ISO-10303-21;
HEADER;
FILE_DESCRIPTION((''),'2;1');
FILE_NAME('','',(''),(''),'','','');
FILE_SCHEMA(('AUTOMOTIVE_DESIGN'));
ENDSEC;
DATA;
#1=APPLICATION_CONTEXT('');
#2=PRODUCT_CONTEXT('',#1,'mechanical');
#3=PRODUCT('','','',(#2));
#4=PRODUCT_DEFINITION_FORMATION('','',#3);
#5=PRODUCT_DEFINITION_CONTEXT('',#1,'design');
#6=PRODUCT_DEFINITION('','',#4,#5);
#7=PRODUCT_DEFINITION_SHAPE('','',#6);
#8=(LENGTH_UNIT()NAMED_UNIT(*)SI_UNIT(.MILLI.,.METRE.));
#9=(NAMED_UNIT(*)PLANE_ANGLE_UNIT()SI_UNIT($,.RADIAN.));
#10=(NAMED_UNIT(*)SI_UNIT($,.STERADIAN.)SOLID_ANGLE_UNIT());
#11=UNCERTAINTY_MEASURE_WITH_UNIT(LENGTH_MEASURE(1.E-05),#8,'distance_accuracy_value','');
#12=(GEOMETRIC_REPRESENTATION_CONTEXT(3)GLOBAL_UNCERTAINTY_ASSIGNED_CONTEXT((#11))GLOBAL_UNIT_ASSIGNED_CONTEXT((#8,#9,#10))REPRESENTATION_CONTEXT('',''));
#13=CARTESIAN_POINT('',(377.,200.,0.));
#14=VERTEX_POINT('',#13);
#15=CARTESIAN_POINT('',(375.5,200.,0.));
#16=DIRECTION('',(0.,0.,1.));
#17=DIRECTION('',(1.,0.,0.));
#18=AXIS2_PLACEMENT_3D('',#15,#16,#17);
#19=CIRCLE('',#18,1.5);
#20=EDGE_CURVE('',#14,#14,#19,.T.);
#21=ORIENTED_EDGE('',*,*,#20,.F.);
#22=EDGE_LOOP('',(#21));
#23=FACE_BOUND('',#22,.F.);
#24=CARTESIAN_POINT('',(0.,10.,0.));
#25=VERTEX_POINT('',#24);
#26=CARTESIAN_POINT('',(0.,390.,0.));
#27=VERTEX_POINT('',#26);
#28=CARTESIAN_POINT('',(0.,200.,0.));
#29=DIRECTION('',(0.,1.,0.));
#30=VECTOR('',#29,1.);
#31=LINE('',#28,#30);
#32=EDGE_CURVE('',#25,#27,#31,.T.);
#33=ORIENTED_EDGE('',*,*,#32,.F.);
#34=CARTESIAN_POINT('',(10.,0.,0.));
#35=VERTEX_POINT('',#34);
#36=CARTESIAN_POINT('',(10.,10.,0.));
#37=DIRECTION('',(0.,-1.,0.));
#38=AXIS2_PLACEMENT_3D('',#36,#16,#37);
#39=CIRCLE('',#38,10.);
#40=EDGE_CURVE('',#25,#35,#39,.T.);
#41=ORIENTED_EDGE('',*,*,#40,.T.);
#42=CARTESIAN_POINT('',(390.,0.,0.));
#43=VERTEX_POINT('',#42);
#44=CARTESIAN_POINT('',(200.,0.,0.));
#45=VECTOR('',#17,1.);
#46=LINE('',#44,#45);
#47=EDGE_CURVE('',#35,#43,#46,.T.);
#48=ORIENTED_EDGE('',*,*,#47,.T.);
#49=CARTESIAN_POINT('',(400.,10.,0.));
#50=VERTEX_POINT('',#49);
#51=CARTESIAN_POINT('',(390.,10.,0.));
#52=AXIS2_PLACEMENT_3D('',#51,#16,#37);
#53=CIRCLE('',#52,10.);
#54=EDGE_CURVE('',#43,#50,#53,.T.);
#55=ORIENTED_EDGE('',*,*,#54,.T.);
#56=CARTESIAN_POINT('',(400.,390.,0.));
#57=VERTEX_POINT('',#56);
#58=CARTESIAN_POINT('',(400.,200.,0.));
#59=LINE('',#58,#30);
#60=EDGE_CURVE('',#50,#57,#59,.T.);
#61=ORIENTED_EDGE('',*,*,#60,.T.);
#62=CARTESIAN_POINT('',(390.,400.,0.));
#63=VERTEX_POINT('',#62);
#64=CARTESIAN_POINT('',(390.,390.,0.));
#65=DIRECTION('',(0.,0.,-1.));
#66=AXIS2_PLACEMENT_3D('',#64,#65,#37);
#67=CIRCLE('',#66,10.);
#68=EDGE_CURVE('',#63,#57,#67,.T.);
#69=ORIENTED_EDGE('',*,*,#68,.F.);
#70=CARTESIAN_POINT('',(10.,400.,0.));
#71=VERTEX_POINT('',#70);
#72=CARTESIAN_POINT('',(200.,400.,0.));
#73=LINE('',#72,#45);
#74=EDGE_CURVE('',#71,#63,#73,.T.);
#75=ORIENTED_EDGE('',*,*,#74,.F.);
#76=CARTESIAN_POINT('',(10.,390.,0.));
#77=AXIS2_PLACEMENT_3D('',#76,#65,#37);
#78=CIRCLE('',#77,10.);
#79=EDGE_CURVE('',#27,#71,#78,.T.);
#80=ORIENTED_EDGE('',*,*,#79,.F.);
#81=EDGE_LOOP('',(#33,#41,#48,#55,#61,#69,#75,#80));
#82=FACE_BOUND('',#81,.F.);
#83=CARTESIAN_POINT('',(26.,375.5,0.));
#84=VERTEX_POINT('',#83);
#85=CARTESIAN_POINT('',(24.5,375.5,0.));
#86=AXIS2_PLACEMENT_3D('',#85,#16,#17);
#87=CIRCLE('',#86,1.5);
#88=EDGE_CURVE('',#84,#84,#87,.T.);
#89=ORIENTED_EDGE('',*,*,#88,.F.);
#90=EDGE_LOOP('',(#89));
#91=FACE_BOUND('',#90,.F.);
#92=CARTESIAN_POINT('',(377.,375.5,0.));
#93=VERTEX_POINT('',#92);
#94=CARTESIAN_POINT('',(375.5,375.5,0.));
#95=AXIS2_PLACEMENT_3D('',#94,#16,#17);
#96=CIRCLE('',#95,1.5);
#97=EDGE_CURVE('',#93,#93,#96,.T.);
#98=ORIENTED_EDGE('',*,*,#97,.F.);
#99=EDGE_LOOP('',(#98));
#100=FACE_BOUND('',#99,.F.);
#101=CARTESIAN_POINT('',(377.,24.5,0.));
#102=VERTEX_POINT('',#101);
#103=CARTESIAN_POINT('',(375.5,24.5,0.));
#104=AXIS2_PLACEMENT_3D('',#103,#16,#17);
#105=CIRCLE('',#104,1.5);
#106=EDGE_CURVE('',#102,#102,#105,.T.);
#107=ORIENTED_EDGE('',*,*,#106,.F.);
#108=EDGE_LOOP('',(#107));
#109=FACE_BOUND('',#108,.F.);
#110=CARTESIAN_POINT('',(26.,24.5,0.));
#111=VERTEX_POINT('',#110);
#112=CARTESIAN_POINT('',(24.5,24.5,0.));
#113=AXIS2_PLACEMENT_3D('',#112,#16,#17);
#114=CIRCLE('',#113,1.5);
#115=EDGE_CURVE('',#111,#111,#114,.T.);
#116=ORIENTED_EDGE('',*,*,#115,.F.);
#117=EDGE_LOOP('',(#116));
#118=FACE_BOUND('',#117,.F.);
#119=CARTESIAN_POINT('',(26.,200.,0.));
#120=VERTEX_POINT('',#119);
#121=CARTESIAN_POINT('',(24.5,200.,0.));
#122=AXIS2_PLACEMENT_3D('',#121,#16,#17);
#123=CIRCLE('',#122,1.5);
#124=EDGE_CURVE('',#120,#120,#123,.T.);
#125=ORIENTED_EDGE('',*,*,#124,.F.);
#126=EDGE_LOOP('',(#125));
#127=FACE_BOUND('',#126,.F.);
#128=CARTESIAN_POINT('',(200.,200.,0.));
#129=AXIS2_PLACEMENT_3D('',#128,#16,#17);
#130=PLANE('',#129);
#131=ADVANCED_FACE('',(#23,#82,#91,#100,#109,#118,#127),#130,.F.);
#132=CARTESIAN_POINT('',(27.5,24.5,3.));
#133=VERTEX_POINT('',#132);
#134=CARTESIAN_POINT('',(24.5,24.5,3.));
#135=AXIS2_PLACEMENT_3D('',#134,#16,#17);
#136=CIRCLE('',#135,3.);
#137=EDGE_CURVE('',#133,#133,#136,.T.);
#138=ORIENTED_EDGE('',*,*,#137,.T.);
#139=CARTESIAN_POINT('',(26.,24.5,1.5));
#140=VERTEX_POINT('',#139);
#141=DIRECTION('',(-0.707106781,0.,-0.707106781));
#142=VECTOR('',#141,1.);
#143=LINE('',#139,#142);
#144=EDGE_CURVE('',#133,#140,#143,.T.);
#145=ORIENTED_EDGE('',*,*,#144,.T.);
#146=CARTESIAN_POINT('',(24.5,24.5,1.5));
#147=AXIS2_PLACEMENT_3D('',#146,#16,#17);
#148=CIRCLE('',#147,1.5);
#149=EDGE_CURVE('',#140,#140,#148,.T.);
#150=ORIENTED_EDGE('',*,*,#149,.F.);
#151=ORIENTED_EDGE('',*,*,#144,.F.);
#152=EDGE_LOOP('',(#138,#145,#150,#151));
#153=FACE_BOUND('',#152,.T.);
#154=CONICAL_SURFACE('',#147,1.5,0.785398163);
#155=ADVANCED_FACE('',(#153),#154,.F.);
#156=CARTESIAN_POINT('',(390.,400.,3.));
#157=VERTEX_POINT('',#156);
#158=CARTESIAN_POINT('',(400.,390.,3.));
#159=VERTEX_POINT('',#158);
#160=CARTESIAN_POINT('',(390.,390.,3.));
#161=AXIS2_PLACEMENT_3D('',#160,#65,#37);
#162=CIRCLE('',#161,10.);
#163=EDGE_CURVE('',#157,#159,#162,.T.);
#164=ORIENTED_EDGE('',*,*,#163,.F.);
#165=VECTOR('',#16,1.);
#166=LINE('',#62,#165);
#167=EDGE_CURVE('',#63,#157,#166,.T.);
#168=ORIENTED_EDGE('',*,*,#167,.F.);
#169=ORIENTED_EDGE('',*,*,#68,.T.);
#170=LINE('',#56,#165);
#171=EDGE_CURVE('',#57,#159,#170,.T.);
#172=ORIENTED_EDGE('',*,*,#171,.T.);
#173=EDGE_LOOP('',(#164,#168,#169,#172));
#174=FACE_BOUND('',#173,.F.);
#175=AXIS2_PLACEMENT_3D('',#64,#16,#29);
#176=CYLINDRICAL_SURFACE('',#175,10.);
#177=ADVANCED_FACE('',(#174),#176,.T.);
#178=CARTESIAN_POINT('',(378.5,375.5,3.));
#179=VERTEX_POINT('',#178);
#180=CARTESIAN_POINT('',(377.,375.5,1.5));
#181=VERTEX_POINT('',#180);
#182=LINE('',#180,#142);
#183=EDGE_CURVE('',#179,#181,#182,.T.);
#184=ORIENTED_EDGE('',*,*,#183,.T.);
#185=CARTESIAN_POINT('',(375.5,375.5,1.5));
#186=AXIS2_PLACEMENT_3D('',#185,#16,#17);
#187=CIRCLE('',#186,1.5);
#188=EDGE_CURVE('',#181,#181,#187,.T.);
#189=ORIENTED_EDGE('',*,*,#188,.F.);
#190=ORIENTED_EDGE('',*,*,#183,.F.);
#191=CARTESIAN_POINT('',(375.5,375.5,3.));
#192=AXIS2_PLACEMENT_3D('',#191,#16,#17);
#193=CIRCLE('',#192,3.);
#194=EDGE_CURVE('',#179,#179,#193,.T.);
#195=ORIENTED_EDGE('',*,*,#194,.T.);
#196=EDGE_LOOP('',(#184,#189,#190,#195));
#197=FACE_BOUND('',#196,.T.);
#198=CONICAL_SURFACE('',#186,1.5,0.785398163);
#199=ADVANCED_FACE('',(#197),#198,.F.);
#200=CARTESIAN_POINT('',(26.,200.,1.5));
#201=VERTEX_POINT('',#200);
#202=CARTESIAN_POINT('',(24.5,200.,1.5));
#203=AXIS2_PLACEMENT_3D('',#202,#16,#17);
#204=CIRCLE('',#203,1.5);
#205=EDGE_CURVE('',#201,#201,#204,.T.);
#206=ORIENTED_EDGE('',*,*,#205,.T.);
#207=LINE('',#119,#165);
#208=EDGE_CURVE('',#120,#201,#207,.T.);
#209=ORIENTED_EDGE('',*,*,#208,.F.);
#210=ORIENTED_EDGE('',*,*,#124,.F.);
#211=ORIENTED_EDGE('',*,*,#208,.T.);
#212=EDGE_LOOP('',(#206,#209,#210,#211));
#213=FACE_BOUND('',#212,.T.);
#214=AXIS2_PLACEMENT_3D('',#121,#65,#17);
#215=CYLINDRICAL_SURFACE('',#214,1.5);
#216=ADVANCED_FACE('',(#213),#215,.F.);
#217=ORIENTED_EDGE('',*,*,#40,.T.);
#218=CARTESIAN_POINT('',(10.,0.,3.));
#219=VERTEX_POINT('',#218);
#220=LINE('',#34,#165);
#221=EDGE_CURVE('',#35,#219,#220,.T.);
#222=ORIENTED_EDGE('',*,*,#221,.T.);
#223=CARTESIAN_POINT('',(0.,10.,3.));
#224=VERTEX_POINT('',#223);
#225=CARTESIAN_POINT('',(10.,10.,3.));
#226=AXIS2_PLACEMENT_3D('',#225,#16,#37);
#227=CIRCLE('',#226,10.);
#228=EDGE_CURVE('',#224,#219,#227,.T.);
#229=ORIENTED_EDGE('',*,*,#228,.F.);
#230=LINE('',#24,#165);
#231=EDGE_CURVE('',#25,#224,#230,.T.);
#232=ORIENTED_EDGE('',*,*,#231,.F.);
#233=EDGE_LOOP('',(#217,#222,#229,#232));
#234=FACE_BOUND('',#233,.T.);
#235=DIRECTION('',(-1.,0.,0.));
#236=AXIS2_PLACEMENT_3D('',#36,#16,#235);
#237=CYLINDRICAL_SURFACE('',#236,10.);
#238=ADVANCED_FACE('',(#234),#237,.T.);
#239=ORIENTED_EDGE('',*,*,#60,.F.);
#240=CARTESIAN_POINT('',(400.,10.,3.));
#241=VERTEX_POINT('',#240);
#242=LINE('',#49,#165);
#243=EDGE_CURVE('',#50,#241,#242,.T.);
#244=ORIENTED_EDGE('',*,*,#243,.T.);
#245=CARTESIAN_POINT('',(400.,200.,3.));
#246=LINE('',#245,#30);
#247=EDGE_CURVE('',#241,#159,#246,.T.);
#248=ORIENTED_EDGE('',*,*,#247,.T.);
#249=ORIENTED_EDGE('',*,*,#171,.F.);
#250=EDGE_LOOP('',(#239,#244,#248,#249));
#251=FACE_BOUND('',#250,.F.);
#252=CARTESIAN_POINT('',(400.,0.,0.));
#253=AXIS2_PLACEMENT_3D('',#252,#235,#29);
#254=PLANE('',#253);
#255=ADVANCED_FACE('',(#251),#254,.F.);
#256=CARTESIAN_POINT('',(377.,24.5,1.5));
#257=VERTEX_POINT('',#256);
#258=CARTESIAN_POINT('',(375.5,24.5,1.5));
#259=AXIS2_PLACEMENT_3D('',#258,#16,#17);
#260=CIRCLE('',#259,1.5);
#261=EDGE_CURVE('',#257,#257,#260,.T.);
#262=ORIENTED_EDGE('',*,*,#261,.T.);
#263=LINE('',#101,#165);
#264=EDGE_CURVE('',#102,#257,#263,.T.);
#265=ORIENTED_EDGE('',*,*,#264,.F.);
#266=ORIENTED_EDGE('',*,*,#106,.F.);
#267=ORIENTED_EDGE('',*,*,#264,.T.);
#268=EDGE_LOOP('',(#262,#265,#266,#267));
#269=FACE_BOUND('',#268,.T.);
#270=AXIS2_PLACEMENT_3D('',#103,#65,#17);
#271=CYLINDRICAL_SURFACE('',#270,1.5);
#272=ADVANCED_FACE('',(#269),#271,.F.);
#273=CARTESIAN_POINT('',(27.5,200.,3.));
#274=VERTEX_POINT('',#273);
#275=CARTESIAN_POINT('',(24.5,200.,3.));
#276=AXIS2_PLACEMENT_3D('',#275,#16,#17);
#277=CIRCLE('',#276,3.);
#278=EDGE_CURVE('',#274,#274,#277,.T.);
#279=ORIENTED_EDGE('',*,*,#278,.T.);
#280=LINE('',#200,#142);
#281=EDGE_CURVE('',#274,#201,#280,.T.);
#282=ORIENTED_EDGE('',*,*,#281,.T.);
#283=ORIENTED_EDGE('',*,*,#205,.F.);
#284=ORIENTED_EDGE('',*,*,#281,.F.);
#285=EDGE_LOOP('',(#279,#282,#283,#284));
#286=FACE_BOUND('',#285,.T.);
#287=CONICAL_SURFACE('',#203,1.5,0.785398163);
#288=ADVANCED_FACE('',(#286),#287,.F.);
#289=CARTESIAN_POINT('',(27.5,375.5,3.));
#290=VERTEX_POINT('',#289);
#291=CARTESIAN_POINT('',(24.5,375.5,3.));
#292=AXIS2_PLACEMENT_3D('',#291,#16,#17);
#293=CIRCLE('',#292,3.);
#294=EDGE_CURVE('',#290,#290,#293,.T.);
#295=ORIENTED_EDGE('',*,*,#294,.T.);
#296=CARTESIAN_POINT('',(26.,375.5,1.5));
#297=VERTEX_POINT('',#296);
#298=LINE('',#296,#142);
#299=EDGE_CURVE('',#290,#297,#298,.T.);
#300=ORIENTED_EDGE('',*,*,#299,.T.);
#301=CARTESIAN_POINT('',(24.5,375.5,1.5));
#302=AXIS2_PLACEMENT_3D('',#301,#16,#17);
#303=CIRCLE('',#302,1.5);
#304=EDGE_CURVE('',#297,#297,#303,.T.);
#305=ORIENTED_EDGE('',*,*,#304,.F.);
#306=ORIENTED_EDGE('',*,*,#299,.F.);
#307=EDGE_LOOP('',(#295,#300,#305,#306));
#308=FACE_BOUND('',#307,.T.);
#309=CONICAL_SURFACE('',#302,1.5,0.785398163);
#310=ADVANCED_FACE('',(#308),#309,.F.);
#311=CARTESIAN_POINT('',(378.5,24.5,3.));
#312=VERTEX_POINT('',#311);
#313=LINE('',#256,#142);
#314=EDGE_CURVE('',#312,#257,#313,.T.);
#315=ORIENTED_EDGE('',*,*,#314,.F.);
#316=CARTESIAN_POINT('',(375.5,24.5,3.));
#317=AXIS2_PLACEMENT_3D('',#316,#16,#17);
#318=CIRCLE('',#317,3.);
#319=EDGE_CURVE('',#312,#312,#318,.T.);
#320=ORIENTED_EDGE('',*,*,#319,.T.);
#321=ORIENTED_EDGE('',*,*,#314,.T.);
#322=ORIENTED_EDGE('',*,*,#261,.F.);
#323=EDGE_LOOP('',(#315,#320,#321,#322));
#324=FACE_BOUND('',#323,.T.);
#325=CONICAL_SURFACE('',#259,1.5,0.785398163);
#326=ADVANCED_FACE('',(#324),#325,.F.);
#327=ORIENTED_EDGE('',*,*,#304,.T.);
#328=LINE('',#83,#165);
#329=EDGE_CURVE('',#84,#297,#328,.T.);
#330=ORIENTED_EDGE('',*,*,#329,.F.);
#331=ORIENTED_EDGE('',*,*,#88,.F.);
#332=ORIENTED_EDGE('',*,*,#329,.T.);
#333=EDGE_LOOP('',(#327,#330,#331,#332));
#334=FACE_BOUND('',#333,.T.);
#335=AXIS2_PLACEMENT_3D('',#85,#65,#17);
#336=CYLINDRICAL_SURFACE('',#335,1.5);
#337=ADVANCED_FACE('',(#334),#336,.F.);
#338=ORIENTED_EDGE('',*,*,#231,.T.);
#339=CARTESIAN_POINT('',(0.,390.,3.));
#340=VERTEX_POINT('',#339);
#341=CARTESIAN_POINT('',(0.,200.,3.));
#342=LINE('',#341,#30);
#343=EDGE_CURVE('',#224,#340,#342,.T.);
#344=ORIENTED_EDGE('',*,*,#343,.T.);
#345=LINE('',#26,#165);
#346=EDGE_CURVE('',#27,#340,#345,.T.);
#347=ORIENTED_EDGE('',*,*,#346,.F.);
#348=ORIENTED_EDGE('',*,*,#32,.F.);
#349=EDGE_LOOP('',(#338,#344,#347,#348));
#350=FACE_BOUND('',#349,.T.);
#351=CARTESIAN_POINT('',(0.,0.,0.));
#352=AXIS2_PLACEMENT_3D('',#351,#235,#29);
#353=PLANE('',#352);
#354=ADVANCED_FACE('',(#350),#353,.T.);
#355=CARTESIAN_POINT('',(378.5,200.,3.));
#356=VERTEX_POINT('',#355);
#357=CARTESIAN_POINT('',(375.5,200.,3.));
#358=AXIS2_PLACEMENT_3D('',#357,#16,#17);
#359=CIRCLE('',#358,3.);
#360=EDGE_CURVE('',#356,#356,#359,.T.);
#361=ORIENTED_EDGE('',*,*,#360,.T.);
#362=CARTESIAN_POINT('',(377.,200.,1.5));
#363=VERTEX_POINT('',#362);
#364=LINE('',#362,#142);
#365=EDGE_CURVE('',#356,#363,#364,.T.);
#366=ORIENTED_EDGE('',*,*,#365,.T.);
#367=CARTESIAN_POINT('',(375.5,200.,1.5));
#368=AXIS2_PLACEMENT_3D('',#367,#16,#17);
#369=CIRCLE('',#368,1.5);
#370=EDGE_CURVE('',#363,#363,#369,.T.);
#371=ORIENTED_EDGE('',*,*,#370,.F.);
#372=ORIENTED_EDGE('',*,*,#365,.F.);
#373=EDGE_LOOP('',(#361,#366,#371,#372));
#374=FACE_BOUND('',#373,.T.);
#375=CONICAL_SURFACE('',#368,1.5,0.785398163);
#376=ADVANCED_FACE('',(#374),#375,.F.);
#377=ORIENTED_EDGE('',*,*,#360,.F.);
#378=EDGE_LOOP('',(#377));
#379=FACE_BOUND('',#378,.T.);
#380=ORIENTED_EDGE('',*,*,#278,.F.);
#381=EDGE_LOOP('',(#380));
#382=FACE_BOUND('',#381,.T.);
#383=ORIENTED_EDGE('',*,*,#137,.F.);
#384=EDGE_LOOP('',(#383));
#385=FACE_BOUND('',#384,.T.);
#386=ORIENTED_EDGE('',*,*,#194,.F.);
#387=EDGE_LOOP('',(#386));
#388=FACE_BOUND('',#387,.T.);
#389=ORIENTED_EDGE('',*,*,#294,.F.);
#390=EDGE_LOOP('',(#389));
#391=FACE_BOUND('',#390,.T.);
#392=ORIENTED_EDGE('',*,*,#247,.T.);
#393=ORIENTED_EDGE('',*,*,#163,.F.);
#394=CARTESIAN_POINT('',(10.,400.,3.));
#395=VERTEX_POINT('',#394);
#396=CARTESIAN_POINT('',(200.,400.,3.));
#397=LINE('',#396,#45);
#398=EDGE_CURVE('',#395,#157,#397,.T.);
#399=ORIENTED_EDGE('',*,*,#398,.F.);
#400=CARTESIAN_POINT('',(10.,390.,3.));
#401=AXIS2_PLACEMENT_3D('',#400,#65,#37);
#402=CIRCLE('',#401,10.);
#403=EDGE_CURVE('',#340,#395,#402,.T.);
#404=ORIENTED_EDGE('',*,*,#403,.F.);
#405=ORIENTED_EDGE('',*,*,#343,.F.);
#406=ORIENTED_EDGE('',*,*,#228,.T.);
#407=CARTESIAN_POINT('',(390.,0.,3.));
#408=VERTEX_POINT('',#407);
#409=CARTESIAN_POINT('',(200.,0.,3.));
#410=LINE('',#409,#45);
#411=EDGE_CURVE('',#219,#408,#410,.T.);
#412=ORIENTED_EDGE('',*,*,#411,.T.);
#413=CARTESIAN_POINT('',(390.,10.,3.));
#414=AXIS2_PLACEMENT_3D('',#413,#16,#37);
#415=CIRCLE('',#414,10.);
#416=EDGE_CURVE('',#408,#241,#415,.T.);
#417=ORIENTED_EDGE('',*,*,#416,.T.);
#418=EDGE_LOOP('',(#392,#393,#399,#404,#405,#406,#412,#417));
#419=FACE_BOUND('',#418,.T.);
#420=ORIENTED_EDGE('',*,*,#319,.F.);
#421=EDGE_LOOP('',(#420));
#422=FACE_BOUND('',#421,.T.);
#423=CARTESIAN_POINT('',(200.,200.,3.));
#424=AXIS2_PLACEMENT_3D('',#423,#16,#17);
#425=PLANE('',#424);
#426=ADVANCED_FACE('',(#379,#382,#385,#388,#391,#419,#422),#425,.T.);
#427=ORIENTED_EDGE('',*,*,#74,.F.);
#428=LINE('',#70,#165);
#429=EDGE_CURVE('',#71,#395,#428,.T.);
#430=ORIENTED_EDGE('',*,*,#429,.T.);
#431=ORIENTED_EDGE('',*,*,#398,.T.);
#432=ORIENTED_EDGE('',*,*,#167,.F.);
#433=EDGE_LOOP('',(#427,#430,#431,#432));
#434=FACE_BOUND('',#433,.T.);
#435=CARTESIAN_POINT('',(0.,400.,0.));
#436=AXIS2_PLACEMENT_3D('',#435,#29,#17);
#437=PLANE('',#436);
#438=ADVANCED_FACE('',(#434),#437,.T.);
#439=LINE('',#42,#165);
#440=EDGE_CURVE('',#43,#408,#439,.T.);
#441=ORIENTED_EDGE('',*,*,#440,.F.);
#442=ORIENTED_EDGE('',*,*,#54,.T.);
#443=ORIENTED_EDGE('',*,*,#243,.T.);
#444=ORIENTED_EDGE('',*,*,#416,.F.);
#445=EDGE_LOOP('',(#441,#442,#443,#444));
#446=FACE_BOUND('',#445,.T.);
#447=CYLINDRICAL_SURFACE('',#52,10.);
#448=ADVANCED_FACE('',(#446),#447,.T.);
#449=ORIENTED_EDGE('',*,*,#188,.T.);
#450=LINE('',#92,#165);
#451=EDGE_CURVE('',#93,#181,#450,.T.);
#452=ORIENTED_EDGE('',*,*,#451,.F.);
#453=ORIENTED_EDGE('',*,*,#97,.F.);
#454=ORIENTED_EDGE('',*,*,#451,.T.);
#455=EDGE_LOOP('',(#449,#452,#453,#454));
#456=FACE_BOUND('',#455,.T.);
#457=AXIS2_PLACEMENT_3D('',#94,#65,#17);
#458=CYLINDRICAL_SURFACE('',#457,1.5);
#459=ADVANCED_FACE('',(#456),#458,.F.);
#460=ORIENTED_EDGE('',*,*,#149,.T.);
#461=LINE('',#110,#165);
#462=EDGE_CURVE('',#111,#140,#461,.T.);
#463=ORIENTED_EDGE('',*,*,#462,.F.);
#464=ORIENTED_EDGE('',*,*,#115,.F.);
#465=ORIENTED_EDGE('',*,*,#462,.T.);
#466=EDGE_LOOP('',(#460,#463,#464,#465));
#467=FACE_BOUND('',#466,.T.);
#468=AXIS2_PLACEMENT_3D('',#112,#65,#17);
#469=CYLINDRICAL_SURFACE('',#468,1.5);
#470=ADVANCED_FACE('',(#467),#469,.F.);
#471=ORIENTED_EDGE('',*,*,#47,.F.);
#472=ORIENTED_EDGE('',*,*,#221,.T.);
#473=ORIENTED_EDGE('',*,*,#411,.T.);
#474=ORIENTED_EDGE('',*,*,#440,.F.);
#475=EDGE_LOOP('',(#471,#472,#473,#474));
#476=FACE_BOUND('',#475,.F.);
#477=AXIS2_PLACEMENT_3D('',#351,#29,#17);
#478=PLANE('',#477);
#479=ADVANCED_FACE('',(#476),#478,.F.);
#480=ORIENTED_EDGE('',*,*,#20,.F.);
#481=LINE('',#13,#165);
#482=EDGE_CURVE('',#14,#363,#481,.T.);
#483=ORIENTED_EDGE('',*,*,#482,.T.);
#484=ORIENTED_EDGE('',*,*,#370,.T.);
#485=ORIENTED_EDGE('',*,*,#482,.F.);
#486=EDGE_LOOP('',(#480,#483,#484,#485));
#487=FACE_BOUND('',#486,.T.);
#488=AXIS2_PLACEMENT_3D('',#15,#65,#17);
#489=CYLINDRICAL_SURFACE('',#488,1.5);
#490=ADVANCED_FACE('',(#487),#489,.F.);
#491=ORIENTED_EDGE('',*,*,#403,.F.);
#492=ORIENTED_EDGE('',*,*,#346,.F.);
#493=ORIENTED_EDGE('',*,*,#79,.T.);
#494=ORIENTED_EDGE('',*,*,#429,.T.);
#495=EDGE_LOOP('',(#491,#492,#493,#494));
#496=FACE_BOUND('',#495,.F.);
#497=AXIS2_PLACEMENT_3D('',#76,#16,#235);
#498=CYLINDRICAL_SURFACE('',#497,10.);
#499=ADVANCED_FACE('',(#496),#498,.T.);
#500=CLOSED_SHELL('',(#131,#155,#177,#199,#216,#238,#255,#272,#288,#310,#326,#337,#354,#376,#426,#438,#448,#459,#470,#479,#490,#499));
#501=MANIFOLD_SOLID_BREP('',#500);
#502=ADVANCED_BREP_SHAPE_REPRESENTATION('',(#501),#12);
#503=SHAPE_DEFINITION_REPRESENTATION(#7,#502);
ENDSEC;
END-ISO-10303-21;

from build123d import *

# Parameters (mm, degrees)
SKETCH_W     = 400
SKETCH_H     = 400
SKETCH_R     = 1.5
PAD_DEPTH    = 3
FILLET_R     = 10
CHAMFER_SIZE = 1.5


with BuildPart() as part:
    # Sketch → Pad (new body)
    with BuildSketch(Plane.XY):
        with Locations((200, 200)):
            Rectangle(SKETCH_W, SKETCH_H)
        with Locations((24.5, 375.5)):
            Circle(SKETCH_R, mode=Mode.SUBTRACT)
        with Locations((24.5, 24.5)):
            Circle(SKETCH_R, mode=Mode.SUBTRACT)
        with Locations((375.5, 24.5)):
            Circle(SKETCH_R, mode=Mode.SUBTRACT)
        with Locations((375.5, 375.5)):
            Circle(SKETCH_R, mode=Mode.SUBTRACT)
        with Locations((24.5, 200)):
            Circle(SKETCH_R, mode=Mode.SUBTRACT)
        with Locations((375.5, 200)):
            Circle(SKETCH_R, mode=Mode.SUBTRACT)
    extrude(amount=PAD_DEPTH)

    # Fillet
    fillet_edges = [part.edges().sort_by_distance(p)[0] for p in [
        (0, 0, 1.5),
        (400, 0, 1.5),
        (400, 400, 1.5),
        (0, 400, 1.5),
    ]]
    fillet(fillet_edges, radius=FILLET_R)

    # Chamfer
    chamfer_edges = [part.edges().sort_by_distance(p)[0] for p in [
        (23, 375.5, 3),
        (23, 200, 3),
        (374, 200, 3),
        (374, 375.5, 3),
        (374, 24.5, 3),
        (23, 24.5, 3),
    ]]
    chamfer(chamfer_edges, length=CHAMFER_SIZE)


solid = part.part
